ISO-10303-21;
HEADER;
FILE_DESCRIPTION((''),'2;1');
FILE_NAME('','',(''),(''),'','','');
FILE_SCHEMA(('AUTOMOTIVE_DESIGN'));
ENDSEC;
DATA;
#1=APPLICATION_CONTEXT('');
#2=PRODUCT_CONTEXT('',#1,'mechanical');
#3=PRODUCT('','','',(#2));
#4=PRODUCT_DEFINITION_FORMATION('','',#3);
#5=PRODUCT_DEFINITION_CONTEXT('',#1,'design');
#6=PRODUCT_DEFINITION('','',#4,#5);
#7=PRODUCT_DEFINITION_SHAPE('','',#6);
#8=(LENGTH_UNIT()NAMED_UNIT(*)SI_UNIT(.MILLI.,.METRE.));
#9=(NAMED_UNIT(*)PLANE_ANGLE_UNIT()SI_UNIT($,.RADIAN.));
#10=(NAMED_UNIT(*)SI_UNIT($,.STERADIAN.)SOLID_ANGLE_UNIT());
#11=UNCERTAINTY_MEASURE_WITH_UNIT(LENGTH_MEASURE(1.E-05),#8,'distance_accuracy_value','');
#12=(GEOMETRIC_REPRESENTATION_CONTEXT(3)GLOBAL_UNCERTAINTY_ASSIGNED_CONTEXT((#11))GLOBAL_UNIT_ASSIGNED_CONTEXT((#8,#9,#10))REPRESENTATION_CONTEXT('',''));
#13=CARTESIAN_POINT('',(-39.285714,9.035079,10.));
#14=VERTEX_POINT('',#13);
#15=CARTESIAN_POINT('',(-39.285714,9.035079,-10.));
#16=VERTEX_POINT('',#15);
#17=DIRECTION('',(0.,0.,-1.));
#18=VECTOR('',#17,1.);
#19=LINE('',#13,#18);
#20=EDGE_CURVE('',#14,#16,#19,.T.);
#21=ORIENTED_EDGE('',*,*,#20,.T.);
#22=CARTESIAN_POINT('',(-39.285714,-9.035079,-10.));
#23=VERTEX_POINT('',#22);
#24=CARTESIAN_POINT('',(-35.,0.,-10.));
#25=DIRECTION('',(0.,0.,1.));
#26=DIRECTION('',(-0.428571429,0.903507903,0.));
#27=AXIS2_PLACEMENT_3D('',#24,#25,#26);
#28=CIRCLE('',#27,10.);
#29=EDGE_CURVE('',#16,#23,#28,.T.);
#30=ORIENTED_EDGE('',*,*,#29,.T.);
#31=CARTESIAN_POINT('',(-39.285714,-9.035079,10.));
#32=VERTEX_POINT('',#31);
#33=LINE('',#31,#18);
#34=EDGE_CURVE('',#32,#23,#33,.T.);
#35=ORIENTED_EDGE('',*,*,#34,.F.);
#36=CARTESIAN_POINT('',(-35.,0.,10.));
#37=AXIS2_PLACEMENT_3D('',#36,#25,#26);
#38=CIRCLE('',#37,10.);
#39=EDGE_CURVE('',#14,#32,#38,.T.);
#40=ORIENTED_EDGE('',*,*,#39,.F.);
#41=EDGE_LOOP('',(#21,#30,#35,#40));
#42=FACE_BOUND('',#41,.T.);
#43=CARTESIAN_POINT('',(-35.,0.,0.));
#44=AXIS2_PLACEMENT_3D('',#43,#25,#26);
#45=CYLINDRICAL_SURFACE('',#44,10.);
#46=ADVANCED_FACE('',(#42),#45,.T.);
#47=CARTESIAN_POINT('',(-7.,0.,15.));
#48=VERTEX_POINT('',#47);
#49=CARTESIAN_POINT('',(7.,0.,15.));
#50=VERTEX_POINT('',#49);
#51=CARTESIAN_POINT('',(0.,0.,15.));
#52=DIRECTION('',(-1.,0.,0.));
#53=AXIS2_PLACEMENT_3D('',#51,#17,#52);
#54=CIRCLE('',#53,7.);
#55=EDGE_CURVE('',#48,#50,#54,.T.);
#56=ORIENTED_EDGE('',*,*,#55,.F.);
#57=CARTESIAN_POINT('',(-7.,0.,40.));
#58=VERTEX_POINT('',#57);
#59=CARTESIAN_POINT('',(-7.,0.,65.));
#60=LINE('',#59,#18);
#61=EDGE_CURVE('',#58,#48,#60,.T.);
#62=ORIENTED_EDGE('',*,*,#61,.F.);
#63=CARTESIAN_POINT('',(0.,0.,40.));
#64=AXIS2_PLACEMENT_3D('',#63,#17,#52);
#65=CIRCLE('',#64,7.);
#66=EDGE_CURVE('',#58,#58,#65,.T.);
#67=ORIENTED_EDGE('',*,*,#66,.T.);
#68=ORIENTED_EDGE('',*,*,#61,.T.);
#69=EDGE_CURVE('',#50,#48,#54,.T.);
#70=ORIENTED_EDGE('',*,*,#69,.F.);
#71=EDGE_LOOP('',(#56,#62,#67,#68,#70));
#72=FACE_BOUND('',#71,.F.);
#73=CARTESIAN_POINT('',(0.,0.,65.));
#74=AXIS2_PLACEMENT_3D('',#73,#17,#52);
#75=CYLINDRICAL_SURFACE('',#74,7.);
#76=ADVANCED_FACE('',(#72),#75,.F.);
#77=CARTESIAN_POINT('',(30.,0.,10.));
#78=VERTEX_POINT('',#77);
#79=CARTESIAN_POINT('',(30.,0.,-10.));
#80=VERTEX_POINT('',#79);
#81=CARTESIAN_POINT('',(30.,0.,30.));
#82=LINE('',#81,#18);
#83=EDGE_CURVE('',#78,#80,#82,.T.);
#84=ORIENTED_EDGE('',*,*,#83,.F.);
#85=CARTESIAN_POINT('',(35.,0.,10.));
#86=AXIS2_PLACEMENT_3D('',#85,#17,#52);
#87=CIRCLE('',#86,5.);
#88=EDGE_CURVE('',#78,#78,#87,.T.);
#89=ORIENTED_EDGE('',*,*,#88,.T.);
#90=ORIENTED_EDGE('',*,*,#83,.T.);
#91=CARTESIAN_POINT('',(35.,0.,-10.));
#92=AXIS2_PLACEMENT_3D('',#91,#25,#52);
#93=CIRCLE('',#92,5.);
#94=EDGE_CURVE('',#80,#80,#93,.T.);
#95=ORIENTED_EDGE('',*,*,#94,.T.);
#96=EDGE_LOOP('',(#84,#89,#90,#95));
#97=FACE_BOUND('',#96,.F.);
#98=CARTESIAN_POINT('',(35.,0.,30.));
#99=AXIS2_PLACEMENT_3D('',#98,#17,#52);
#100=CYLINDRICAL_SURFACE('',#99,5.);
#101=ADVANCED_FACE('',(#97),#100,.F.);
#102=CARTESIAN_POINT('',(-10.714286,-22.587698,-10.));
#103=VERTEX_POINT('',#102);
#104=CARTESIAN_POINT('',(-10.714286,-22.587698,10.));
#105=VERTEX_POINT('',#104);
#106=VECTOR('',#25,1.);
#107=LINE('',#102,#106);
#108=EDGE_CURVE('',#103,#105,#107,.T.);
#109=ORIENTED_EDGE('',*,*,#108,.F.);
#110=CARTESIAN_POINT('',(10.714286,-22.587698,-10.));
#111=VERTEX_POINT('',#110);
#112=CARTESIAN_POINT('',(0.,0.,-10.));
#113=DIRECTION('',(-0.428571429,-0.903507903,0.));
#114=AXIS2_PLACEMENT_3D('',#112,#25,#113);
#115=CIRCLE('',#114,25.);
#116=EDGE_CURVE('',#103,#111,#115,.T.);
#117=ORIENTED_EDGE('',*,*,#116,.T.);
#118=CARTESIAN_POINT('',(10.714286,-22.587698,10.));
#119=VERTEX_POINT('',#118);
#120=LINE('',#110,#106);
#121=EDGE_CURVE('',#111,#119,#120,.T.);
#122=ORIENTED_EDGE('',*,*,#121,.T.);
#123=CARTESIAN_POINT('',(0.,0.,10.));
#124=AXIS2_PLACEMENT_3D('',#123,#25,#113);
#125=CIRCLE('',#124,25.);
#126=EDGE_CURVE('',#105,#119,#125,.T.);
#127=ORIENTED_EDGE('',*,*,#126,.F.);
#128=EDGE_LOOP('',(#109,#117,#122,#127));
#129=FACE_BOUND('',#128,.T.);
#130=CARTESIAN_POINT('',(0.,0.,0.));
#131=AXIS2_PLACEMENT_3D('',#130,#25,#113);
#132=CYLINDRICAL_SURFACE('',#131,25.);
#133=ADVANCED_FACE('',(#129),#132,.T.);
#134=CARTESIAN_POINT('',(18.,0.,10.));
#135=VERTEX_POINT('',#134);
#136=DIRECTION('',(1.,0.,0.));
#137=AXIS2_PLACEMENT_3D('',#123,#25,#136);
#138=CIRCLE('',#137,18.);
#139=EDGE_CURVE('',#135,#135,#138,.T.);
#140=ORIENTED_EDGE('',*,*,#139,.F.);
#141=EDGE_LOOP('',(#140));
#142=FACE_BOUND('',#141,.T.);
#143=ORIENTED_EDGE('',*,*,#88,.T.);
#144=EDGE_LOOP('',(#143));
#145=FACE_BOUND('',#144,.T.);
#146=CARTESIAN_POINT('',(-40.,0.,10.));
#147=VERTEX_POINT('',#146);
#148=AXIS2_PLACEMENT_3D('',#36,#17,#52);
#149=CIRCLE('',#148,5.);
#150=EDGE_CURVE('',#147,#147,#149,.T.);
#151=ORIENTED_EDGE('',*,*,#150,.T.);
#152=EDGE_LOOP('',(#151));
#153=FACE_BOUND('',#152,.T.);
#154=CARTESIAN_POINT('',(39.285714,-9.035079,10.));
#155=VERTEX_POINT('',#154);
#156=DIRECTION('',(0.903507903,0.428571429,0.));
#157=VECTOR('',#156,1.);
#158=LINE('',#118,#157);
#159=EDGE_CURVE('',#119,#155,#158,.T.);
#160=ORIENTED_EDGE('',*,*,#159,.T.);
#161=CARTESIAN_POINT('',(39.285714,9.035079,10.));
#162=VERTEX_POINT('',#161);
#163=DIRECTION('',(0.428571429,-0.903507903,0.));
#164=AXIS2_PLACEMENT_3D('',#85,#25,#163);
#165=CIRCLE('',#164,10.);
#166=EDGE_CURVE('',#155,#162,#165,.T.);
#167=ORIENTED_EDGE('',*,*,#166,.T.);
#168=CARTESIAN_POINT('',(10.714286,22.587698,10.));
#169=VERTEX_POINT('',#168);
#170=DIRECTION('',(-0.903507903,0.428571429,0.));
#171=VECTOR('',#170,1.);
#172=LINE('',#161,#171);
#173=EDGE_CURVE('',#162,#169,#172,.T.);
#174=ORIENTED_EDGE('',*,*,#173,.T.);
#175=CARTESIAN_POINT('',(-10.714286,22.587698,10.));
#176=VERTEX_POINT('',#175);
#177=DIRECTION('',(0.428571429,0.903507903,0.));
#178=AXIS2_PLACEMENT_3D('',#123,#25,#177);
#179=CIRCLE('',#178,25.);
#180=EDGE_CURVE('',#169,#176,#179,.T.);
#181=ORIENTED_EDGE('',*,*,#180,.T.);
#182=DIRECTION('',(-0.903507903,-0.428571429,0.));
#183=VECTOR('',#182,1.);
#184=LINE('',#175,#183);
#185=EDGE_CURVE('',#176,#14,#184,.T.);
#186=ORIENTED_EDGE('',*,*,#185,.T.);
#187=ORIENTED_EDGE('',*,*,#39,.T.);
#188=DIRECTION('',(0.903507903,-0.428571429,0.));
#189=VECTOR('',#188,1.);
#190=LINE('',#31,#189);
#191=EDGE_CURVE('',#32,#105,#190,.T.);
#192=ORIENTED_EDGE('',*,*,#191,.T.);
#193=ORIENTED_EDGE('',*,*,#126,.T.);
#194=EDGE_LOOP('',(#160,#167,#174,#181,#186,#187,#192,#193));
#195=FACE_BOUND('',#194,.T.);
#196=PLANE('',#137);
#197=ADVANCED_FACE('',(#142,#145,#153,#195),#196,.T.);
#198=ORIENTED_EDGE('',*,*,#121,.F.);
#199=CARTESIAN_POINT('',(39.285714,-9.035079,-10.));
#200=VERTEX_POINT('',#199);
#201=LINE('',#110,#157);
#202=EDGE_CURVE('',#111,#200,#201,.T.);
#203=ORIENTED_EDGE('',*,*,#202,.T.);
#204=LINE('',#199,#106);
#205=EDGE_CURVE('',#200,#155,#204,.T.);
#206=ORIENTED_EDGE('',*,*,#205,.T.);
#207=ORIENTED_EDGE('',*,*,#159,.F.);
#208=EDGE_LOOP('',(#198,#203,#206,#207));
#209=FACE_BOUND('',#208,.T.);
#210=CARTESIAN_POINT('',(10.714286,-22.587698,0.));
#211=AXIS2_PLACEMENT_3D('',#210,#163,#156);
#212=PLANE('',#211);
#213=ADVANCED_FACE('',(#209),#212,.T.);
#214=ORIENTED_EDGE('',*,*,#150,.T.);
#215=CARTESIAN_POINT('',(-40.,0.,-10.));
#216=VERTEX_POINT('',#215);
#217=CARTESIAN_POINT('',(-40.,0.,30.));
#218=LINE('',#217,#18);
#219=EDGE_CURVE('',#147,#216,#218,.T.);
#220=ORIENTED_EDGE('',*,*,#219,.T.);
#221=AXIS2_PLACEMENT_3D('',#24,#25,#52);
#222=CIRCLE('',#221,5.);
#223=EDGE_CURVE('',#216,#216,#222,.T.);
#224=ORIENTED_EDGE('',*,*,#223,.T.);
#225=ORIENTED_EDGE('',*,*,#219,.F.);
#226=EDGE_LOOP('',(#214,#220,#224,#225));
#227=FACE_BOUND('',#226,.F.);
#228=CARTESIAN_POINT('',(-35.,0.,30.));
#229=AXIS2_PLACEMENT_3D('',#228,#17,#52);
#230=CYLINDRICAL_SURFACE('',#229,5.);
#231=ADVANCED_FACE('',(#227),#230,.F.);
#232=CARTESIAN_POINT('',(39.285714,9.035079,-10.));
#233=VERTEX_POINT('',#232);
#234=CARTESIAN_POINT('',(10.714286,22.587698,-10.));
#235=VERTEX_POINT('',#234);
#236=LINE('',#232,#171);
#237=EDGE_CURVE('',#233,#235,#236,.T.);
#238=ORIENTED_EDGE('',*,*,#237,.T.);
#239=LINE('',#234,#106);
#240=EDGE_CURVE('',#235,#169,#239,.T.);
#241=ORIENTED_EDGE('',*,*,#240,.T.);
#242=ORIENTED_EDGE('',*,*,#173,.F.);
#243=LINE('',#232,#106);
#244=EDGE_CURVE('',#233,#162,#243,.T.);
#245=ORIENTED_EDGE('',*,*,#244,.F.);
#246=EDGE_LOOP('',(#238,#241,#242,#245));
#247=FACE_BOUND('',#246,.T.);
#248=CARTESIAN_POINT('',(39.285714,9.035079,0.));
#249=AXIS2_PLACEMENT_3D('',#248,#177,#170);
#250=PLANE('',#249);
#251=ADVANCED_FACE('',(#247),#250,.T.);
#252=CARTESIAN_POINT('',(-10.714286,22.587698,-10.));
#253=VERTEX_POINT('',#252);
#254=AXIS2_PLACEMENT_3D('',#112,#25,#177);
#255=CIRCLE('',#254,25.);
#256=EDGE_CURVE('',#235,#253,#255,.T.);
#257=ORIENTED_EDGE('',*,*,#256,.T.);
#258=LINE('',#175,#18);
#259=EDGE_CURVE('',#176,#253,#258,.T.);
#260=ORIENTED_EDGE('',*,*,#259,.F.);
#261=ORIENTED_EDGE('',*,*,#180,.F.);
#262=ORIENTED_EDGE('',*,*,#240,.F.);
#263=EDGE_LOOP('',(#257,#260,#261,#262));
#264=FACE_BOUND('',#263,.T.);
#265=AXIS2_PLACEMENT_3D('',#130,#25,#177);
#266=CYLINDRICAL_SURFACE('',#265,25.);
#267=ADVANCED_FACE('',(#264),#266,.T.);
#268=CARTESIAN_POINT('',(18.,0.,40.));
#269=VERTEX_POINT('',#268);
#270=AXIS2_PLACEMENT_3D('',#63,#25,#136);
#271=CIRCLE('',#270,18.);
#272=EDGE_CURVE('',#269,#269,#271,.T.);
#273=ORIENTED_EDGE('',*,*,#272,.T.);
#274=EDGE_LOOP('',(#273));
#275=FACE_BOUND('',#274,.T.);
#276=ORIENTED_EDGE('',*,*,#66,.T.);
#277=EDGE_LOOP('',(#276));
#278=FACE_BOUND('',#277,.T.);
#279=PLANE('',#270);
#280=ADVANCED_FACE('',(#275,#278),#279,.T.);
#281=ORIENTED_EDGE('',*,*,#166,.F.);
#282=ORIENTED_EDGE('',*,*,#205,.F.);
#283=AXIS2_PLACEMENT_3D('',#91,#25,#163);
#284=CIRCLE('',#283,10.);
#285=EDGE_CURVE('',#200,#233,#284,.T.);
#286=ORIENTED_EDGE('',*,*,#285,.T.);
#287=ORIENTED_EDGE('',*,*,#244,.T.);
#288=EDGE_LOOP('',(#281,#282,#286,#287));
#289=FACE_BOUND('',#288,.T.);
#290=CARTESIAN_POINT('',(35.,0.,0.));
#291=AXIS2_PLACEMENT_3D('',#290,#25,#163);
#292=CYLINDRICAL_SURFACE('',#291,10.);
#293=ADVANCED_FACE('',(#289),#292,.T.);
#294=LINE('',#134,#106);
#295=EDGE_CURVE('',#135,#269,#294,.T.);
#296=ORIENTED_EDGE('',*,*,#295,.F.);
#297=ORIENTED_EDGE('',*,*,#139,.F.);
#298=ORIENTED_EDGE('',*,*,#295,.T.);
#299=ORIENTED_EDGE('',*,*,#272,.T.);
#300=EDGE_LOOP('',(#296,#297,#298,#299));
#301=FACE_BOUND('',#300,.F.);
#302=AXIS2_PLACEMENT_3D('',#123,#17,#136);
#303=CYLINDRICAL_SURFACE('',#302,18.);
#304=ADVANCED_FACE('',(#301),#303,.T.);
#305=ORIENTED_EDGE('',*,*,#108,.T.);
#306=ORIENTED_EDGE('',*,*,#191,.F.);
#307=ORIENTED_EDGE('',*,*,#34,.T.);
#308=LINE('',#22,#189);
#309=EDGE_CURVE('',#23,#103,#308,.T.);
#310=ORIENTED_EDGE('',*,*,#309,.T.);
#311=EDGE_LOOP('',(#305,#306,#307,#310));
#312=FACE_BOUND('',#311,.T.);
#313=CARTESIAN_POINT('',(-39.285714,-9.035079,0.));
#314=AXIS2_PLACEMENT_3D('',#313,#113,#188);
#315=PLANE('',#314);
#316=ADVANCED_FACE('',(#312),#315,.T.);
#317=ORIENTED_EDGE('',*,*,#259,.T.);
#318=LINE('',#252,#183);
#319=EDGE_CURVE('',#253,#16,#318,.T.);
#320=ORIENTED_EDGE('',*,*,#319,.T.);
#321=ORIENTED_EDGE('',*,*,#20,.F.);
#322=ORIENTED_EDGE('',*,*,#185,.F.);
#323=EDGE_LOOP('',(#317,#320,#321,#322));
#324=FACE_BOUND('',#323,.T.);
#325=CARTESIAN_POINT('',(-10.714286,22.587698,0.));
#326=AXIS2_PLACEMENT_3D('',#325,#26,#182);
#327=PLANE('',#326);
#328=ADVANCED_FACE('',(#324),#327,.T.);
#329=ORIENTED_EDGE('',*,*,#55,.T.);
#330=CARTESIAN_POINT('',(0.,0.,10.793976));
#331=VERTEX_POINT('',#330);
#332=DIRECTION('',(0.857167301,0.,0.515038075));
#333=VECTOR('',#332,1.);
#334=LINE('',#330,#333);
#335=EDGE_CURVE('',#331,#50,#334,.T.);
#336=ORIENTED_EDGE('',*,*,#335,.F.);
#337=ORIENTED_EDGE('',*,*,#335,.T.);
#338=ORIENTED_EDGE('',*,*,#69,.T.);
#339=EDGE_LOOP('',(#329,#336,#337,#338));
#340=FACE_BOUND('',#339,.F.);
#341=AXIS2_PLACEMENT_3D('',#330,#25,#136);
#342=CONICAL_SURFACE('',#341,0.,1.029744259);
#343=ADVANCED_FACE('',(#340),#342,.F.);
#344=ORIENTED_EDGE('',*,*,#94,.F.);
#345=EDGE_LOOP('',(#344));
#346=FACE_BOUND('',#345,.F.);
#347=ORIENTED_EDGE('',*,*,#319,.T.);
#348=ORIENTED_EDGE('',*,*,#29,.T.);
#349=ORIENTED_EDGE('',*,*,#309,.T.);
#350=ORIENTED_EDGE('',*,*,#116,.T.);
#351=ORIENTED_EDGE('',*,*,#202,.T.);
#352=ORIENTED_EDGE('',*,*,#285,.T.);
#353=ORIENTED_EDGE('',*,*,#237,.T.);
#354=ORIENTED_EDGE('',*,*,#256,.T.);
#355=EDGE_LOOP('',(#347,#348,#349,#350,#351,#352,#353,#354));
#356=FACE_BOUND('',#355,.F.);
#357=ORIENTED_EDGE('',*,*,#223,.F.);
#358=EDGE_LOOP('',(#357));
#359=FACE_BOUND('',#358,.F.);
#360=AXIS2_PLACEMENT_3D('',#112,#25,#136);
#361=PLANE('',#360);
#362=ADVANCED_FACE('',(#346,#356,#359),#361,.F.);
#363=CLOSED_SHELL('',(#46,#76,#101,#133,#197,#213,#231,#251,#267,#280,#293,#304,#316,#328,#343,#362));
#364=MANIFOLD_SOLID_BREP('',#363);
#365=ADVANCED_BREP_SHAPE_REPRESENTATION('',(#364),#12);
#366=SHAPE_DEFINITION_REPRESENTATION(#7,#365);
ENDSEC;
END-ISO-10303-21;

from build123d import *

# Parameters (mm, degrees)
F1_DEPTH = 10
F2_R     = 18
F3_DEPTH = 30
F5_D     = 14
F5_DEPTH = 25
F5_TIP   = 4.2060243332
F7_D     = 10
F7_DEPTH = 20
F7_TIP   = 3.0043030951


with BuildPart() as f1:
    # F0 (on Top) → F1 (new body, symmetric)
    with BuildSketch(Plane.XY):
        with BuildLine():
            Line((-39.2857142857, -9.0350790291), (-10.7142857143, -22.5876975726))
            ThreePointArc((-10.7142857143, -22.5876975726), (0, -25), (10.7142857143, -22.5876975726))
            Line((10.7142857143, -22.5876975726), (39.2857142857, -9.0350790291))
            ThreePointArc((39.2857142857, -9.0350790291), (45, 0), (39.2857142857, 9.0350790291))
            Line((39.2857142857, 9.0350790291), (10.7142857143, 22.5876975726))
            ThreePointArc((10.7142857143, 22.5876975726), (0, 25), (-10.7142857143, 22.5876975726))
            Line((-10.7142857143, 22.5876975726), (-39.2857142857, 9.0350790291))
            ThreePointArc((-39.2857142857, 9.0350790291), (-45, 0), (-39.2857142857, -9.0350790291))
        make_face()
    extrude(amount=F1_DEPTH, both=True)

    # F2 (on face) → F3 (join)
    with BuildSketch(Plane.XY.offset(10)):
        Circle(F2_R)
    extrude(amount=F3_DEPTH)

    # F5
    with Locations(Plane.XY.offset(40)):
        with Locations((0, 0)):
            Hole(F5_D / 2, depth=F5_DEPTH)
            with Locations((0, 0, -(F5_DEPTH + F5_TIP / 2))):  # 118° drill point
                Cone(0, F5_D / 2, F5_TIP, mode=Mode.SUBTRACT)

    # F7
    with Locations(Plane.XY.offset(10)):
        with Locations((-35, 0), (35, 0)):
            Hole(F7_D / 2, depth=F7_DEPTH)
            with Locations((0, 0, -(F7_DEPTH + F7_TIP / 2))):  # 118° drill point
                Cone(0, F7_D / 2, F7_TIP, mode=Mode.SUBTRACT)


solid = f1.part
